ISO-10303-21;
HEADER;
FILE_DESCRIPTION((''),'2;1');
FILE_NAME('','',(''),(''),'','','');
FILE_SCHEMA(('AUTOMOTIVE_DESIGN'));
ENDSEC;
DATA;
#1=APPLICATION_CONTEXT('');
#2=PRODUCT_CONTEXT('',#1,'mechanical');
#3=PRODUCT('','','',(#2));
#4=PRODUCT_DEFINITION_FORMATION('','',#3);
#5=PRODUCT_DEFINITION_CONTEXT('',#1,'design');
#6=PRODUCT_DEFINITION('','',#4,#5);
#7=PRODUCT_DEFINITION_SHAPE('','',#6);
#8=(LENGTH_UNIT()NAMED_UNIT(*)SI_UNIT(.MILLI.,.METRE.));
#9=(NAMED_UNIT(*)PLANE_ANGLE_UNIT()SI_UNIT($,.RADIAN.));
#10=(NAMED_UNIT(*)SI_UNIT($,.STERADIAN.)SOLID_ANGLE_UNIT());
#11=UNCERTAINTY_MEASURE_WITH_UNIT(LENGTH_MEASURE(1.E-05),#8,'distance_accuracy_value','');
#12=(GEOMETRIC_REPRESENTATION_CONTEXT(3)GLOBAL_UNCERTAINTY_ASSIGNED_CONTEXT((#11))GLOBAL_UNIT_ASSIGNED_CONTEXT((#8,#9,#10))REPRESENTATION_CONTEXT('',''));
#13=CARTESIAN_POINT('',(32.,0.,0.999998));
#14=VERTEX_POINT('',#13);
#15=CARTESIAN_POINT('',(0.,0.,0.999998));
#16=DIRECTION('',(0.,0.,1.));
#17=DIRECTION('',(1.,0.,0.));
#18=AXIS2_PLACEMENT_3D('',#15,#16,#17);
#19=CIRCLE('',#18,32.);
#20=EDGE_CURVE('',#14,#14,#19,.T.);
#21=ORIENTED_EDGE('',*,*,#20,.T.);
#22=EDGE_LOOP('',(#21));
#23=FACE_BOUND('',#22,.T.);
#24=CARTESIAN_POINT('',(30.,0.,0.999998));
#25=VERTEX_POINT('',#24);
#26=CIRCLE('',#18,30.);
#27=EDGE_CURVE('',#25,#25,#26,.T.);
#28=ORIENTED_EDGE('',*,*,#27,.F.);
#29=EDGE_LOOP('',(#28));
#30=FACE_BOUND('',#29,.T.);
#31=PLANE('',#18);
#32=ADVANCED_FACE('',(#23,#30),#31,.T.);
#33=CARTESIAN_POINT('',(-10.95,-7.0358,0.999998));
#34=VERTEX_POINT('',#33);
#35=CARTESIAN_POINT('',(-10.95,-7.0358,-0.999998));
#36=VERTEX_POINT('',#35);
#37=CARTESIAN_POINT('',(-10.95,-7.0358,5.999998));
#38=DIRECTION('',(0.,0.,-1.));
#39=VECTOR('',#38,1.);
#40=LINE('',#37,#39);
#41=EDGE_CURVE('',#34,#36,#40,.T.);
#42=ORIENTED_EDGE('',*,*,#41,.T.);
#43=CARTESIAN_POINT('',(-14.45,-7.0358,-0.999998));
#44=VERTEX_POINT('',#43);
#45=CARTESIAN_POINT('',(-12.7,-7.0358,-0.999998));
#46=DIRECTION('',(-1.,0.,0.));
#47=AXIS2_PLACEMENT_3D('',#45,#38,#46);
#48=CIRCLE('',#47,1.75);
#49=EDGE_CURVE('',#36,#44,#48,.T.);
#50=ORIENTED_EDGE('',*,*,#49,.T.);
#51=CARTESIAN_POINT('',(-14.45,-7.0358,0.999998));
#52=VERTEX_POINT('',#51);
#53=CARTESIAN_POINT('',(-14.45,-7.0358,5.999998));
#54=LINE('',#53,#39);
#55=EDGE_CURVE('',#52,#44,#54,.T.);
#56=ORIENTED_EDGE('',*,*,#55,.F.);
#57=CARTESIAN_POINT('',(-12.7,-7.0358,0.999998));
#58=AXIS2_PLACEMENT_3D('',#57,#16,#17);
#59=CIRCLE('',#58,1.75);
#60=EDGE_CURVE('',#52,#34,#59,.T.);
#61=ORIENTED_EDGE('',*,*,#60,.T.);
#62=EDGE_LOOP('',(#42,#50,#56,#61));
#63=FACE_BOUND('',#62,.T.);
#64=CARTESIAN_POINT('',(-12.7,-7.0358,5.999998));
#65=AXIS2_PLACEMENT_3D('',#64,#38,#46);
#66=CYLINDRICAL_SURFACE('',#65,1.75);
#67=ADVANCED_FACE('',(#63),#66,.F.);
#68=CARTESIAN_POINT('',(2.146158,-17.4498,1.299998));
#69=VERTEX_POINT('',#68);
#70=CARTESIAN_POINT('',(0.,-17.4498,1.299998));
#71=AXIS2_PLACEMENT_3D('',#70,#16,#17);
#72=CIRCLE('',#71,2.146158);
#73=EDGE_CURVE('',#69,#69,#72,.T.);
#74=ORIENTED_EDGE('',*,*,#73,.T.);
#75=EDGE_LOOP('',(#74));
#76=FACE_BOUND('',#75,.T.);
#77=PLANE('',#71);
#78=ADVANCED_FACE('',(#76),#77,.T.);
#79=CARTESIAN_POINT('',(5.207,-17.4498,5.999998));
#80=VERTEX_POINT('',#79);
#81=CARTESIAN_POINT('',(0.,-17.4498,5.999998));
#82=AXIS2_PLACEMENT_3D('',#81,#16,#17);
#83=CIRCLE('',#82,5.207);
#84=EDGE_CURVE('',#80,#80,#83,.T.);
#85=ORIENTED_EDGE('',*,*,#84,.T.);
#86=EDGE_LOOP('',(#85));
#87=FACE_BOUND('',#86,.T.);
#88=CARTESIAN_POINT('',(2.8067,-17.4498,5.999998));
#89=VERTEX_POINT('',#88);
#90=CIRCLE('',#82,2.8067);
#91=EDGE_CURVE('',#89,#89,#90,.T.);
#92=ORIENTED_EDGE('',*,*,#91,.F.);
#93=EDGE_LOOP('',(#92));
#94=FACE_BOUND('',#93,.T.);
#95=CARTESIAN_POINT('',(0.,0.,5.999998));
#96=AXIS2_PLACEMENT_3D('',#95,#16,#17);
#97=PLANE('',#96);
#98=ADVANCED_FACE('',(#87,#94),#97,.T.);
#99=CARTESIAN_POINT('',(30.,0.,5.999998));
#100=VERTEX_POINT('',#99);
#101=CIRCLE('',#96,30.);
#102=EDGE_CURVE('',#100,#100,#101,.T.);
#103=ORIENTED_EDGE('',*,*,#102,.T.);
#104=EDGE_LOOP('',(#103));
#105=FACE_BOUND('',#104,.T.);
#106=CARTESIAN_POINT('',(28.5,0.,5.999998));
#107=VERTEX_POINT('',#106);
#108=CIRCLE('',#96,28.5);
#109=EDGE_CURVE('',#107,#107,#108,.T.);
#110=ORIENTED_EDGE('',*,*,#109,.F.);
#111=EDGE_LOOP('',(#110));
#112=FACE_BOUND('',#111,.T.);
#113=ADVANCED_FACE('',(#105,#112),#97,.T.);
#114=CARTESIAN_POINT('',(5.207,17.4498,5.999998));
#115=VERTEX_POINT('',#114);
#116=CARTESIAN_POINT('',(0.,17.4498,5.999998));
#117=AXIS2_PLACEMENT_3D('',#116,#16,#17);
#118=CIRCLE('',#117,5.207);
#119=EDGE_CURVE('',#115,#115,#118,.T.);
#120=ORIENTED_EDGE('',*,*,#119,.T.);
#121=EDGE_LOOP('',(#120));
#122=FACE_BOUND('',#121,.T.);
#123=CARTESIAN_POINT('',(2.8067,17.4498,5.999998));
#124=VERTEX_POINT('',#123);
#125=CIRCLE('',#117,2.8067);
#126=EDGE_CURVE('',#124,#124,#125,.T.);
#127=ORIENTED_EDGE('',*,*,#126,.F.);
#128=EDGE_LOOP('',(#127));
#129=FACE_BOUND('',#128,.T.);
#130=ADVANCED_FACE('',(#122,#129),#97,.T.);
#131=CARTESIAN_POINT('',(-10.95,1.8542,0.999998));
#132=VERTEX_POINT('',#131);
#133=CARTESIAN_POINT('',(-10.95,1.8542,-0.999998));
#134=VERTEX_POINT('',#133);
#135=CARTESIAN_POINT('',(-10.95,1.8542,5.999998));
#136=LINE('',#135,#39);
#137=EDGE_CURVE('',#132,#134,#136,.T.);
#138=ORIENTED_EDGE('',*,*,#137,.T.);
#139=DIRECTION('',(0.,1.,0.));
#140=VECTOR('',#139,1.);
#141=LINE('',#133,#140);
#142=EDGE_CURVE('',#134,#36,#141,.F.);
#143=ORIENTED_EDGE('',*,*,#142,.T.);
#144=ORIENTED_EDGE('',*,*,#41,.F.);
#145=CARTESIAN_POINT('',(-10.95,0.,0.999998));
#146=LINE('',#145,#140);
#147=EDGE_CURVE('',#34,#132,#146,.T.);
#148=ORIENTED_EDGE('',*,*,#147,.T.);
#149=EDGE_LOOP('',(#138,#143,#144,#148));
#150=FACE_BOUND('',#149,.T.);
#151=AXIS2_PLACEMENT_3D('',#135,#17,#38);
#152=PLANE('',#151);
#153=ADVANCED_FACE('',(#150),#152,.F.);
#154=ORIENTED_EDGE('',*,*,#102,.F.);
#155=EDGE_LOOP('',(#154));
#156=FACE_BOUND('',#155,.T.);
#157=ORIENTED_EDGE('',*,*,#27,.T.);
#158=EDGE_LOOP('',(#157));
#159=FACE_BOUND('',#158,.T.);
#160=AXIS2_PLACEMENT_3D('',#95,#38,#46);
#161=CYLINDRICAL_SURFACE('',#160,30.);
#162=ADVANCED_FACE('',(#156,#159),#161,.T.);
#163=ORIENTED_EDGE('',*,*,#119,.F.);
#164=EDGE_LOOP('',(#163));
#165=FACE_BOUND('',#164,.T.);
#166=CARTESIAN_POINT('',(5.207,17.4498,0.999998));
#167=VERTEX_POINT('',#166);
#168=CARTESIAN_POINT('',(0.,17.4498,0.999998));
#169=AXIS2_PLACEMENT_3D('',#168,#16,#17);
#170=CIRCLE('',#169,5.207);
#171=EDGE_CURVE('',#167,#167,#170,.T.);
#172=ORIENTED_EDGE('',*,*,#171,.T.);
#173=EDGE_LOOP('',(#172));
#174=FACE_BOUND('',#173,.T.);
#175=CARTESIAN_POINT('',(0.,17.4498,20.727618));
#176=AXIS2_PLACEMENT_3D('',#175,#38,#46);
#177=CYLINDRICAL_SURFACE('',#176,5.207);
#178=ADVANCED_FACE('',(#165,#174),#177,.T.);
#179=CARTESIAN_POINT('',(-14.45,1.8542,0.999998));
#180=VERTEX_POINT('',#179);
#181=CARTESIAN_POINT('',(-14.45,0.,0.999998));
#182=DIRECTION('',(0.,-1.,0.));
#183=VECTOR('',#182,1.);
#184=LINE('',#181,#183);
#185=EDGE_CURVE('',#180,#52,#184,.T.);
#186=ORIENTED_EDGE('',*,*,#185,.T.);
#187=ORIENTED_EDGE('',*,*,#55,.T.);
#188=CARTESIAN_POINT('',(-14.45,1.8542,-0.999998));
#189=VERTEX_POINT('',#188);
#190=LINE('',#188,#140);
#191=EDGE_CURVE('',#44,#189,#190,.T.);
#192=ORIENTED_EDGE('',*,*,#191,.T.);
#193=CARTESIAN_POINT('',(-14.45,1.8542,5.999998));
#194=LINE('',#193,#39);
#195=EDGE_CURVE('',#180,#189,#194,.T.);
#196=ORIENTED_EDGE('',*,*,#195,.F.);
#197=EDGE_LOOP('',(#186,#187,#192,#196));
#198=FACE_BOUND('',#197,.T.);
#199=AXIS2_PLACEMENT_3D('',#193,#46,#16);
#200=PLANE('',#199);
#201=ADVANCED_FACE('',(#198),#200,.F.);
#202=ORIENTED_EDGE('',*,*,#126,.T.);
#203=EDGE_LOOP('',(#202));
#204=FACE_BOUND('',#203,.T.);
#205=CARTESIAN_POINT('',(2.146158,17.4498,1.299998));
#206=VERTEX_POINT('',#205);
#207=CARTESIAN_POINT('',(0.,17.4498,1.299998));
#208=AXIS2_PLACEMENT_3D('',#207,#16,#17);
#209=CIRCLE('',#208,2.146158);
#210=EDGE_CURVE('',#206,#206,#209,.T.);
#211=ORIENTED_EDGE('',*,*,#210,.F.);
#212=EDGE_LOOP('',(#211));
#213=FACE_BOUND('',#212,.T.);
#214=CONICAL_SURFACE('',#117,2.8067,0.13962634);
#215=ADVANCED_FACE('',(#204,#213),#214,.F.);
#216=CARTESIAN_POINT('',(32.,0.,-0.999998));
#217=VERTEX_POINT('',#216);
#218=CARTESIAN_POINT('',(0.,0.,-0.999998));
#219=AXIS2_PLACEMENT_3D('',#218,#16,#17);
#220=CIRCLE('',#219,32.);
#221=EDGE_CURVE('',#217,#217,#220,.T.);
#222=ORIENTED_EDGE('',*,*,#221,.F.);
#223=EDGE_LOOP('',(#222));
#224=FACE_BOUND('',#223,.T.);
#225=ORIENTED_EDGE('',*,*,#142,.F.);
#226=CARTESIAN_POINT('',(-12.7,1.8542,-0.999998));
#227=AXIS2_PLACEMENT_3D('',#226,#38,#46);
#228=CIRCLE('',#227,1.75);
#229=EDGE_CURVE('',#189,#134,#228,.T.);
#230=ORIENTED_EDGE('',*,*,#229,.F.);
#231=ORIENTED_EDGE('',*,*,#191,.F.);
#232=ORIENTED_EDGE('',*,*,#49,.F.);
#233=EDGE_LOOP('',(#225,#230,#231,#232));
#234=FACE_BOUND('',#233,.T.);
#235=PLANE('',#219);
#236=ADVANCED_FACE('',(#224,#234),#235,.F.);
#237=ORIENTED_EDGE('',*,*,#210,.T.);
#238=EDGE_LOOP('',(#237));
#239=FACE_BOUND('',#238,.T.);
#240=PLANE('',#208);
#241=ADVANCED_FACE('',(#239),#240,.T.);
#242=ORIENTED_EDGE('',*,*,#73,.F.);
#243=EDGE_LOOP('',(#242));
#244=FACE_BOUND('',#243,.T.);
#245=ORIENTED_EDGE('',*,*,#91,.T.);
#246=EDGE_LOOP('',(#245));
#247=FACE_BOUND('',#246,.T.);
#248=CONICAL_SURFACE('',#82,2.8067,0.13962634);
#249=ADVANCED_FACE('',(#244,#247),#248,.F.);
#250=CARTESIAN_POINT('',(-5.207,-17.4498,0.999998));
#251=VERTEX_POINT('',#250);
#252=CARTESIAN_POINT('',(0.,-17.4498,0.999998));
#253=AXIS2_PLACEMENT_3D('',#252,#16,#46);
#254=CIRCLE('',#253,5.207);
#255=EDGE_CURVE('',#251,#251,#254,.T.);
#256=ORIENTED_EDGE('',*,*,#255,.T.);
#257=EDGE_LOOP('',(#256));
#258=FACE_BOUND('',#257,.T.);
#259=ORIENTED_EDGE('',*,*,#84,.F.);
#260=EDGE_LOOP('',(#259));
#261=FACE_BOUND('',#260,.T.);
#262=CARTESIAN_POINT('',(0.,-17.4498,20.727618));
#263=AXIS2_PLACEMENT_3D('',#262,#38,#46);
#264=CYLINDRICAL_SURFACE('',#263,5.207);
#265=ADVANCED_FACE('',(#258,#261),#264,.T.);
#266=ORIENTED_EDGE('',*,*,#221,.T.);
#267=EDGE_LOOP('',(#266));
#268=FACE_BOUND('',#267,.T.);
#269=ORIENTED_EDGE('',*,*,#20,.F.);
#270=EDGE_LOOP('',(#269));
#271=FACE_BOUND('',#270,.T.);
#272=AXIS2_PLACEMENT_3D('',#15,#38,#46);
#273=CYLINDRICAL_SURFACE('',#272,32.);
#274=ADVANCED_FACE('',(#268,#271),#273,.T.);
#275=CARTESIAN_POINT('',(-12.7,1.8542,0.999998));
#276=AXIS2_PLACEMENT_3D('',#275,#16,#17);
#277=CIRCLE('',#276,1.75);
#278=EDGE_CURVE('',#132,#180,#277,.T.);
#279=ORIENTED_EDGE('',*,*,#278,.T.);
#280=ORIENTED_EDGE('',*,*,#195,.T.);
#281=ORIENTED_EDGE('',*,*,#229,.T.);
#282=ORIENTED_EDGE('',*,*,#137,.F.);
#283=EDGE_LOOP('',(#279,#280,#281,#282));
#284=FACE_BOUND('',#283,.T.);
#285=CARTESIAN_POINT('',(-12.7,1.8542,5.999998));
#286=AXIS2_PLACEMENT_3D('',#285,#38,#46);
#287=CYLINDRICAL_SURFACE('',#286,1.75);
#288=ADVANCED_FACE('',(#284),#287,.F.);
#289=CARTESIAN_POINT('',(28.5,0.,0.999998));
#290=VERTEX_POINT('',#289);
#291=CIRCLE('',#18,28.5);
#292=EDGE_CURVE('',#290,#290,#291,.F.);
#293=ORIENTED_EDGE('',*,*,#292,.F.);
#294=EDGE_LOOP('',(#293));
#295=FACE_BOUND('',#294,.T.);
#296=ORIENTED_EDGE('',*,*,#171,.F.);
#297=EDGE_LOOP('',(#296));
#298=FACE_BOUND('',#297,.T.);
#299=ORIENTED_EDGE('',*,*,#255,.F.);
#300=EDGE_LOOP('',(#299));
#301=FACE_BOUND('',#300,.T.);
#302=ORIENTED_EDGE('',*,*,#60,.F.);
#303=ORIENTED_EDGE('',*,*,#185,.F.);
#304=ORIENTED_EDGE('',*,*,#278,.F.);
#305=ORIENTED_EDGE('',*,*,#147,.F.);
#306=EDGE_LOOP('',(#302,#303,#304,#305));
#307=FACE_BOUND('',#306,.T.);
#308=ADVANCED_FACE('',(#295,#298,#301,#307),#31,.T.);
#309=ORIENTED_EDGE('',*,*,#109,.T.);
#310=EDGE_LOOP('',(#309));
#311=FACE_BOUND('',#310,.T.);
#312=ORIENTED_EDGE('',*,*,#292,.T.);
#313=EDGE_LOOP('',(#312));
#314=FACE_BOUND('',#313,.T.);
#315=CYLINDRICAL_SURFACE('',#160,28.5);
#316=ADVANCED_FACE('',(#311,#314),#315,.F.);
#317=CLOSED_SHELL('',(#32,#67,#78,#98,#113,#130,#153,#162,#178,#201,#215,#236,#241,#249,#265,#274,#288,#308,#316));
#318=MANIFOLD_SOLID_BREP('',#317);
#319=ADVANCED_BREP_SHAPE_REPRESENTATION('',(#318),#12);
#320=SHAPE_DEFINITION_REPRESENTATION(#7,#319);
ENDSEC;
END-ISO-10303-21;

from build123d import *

# Parameters (mm, degrees)
SKETCH1_R               = 32
BOSS_EXTRUDE1_DEPTH     = 0.999998
SKETCH8_R               = 30
SKETCH8_R_2             = 28.5
BOSS_EXTRUDE4_DEPTH     = 5
SKETCH9_R               = 5.207
BOSS_EXTRUDE5_DEPTH     = 5
CUT_EXTRUDE1_DEPTH      = 1
CUT_EXTRUDE1_DEPTH_BACK = 7.999996
SKETCH10_R              = 2.8067
CUT_EXTRUDE2_DEPTH      = 4.7
CUT_EXTRUDE2_TAPER      = 8


with BuildPart() as part:
    # Sketch1 → Boss-Extrude1 (new body, symmetric)
    with BuildSketch(Plane.XY):
        Circle(SKETCH1_R)
    extrude(amount=BOSS_EXTRUDE1_DEPTH, both=True)

    # Sketch8 → Boss-Extrude4 (add)
    with BuildSketch(Plane.XY.offset(0.999998)):
        Circle(SKETCH8_R)
        Circle(SKETCH8_R_2, mode=Mode.SUBTRACT)
    extrude(amount=BOSS_EXTRUDE4_DEPTH)

    # Sketch9 → Boss-Extrude5 (add)
    with BuildSketch(Plane.XY.offset(0.999998)):
        with Locations((0, 17.4498)):
            Circle(SKETCH9_R)
        with Locations((0, -17.4498)):
            Circle(SKETCH9_R)
    extrude(amount=BOSS_EXTRUDE5_DEPTH)

    # Sketch7 → Cut-Extrude1 (cut, two sides)
    with BuildSketch(Plane(origin=(0, 0, -0.999998), x_dir=(-1, 0, 0), z_dir=(0, 0, -1))) as cut_extrude1_sk:
        with BuildLine():
            Line((14.45, 1.8542), (14.45, -7.0358))
            ThreePointArc((14.45, -7.0358), (12.7, -8.7858), (10.95, -7.0358))
            Line((10.95, -7.0358), (10.95, 1.8542))
            ThreePointArc((10.95, 1.8542), (12.7, 3.6042), (14.45, 1.8542))
        make_face()
    extrude(amount=CUT_EXTRUDE1_DEPTH, mode=Mode.SUBTRACT)
    extrude(cut_extrude1_sk.sketch, amount=-CUT_EXTRUDE1_DEPTH_BACK, mode=Mode.SUBTRACT)

    # Sketch10 → Cut-Extrude2 (cut)
    with BuildSketch(Plane.XY.offset(5.999998)):
        with Locations((0, 17.4498)):
            Circle(SKETCH10_R)
        with Locations((0, -17.4498)):
            Circle(SKETCH10_R)
    extrude(amount=-CUT_EXTRUDE2_DEPTH, taper=CUT_EXTRUDE2_TAPER, mode=Mode.SUBTRACT)


solid = part.part
